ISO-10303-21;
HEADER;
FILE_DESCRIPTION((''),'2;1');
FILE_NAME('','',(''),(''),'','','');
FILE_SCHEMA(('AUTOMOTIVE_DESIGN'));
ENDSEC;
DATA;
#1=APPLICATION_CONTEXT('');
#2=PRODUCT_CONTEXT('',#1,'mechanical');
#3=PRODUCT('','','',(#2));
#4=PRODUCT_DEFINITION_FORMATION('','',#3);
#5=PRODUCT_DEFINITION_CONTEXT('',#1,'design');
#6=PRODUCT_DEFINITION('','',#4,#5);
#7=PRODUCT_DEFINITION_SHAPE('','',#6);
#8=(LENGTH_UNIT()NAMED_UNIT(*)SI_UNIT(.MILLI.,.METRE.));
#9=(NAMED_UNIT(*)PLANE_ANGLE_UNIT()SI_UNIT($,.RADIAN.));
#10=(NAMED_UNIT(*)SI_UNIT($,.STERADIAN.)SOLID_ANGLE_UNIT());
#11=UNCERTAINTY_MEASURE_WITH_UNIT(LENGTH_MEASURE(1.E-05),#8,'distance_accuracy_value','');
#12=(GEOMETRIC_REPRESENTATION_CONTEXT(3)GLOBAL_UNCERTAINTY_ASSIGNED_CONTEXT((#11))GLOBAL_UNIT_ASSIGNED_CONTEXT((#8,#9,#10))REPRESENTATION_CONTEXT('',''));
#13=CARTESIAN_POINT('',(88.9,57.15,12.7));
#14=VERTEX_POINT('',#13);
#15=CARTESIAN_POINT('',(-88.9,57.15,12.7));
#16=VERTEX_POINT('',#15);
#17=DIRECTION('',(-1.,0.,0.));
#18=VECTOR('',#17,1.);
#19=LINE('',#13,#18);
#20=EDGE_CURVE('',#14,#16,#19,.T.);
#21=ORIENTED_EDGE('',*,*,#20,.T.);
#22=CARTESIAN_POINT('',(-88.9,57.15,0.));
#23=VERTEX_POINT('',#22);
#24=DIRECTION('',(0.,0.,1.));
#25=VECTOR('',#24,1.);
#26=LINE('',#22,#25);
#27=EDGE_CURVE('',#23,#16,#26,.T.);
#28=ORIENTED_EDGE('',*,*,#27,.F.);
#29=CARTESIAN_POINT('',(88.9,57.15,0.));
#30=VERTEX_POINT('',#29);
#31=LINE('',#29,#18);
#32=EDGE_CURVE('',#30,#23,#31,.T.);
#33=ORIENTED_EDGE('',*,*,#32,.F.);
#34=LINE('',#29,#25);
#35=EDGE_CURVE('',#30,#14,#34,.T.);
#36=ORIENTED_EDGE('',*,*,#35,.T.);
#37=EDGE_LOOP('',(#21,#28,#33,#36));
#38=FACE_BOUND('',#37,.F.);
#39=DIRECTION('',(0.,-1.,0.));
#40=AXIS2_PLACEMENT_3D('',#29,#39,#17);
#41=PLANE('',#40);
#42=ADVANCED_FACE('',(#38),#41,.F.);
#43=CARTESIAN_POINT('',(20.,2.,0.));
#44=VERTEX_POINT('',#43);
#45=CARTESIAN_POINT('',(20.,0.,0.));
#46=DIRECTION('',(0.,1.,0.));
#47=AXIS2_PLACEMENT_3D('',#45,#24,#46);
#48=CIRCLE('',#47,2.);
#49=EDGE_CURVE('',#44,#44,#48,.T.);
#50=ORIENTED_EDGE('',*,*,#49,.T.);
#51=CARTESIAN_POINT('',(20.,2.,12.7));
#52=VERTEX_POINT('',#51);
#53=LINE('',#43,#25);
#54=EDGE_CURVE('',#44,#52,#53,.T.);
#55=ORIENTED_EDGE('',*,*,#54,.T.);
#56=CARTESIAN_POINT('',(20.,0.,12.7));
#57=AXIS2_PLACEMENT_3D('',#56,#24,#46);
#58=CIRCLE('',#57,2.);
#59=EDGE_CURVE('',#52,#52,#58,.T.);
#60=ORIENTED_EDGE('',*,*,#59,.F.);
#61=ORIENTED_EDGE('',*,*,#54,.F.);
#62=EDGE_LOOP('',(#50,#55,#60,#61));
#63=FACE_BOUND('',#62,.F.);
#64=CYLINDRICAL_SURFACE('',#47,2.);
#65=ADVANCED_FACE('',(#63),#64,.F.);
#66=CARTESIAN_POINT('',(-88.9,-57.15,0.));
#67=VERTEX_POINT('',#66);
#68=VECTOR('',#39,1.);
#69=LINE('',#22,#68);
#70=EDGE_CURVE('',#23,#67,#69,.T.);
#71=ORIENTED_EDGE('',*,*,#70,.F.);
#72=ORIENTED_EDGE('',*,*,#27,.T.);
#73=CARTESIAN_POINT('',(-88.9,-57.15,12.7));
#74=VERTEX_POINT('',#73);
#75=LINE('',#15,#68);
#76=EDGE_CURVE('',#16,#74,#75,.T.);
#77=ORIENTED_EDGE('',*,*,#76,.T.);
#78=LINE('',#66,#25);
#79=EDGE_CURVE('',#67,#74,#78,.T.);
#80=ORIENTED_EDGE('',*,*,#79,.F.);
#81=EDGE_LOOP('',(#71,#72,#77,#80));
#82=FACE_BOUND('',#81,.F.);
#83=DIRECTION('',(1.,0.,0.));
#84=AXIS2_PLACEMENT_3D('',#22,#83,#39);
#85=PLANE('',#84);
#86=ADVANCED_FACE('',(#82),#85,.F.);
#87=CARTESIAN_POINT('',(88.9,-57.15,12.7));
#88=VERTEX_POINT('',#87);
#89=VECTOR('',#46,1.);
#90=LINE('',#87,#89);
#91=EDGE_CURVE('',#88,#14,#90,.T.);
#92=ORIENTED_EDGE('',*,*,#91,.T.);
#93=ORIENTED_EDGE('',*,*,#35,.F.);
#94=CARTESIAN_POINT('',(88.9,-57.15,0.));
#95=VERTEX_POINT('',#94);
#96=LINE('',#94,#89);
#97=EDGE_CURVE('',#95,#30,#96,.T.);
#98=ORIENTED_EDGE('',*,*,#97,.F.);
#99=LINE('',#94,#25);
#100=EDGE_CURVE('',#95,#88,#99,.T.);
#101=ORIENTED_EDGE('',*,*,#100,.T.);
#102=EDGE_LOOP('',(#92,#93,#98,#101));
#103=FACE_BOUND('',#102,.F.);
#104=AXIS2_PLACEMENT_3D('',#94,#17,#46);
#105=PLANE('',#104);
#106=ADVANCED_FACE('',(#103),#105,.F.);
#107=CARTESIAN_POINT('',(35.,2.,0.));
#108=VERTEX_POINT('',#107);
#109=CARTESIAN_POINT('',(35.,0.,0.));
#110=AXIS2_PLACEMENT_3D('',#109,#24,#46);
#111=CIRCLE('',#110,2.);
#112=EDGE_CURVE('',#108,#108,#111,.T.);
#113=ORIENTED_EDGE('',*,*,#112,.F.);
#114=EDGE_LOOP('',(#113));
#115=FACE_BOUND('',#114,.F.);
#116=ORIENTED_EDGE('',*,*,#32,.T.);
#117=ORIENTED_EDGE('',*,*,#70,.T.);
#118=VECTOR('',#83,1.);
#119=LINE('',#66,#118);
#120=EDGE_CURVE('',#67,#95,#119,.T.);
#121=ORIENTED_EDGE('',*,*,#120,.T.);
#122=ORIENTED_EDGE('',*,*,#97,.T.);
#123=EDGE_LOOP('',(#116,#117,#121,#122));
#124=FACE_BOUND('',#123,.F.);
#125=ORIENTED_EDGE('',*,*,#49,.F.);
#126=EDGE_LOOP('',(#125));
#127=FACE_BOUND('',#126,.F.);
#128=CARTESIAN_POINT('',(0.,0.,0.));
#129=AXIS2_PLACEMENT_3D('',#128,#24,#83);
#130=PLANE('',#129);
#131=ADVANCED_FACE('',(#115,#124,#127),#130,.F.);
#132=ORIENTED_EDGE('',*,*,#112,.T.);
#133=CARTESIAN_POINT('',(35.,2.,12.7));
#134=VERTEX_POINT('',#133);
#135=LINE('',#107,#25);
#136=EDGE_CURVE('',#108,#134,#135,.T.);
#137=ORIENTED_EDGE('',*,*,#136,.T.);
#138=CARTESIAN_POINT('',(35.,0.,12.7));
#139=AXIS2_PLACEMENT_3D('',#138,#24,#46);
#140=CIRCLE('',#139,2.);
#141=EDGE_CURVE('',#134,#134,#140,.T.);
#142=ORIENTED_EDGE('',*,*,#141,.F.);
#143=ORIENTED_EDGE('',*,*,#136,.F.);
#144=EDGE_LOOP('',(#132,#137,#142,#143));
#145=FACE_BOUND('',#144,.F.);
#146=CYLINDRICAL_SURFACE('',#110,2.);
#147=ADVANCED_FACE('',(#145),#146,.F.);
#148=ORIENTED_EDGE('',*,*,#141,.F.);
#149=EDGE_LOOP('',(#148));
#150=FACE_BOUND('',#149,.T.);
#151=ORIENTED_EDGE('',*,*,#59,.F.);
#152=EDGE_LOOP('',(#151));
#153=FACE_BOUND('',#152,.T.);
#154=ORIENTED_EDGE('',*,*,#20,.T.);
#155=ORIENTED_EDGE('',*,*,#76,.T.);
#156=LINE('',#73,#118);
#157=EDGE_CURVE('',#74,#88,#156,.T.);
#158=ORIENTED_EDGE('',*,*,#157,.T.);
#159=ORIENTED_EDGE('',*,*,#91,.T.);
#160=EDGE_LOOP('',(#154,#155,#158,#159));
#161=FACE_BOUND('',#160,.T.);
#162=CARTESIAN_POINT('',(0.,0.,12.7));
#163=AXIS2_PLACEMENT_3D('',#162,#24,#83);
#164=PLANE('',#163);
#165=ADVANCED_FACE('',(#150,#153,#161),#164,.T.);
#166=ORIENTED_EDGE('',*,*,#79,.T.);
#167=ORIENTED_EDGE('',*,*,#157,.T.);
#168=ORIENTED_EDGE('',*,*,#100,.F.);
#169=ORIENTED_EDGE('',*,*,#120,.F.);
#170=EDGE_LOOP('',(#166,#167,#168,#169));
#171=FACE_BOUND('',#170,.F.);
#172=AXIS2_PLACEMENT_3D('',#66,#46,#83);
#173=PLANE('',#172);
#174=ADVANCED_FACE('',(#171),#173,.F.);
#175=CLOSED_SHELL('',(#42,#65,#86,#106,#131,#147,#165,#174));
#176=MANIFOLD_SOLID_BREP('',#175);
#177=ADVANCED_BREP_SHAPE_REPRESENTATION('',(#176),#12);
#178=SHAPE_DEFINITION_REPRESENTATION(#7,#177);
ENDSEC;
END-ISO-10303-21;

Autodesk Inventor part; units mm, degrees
ref_plane "YZ Plane" through (0, 0, 0) normal (1, 0, 0) x (0, 1, 0)
ref_plane "XZ Plane" through (0, 0, 0) normal (0, 1, 0) x (-1, 0, 0)
ref_plane "XY Plane" through (0, 0, 0) normal (0, 0, 1) x (1, 0, 0)
sketch "Sketch1" plane through (0, 0, 0) normal (0, 0, 1) x (1, 0, 0)
  line L0 (-88.9, -57.15) -> (88.9, -57.15)
  line L1 (88.9, -57.15) -> (88.9, 57.15)
  line L2 (88.9, 57.15) -> (-88.9, 57.15)
  line L3 (-88.9, 57.15) -> (-88.9, -57.15)
  line L4 (-88.9, -57.15) -> (88.9, 57.15) construction
  line L5 (88.9, -57.15) -> (-88.9, 57.15) construction
  line L6 (-40, 6.35) -> (40, 6.35)
  line L7 (40, 6.35) -> (40, -6.35)
  line L8 (40, -6.35) -> (-40, -6.35)
  line L9 (-40, -6.35) -> (-40, 6.35)
  line L10 (-40, 6.35) -> (40, -6.35) construction
  line L11 (40, 6.35) -> (-40, -6.35) construction
  point P0 (0, 0)
  point P1 (35, 0)
  point P2 (20, 0)
  dimension "d0" = 177.8
  dimension "d1" = 114.3
  dimension "d2" = 80
  dimension "d3" = 12.7
extrude "Extrusion2" add sketch "Sketch1" along normal blind 12.7 contours L3 L2 L1 L0 | L6 L7 L8 L9
hole "Hole1" at (35, 0, 0) at (20, 0, 0) direction (0, 0, 1) diameter 4 end through all
properties part number "LoadCellUpperSide"
